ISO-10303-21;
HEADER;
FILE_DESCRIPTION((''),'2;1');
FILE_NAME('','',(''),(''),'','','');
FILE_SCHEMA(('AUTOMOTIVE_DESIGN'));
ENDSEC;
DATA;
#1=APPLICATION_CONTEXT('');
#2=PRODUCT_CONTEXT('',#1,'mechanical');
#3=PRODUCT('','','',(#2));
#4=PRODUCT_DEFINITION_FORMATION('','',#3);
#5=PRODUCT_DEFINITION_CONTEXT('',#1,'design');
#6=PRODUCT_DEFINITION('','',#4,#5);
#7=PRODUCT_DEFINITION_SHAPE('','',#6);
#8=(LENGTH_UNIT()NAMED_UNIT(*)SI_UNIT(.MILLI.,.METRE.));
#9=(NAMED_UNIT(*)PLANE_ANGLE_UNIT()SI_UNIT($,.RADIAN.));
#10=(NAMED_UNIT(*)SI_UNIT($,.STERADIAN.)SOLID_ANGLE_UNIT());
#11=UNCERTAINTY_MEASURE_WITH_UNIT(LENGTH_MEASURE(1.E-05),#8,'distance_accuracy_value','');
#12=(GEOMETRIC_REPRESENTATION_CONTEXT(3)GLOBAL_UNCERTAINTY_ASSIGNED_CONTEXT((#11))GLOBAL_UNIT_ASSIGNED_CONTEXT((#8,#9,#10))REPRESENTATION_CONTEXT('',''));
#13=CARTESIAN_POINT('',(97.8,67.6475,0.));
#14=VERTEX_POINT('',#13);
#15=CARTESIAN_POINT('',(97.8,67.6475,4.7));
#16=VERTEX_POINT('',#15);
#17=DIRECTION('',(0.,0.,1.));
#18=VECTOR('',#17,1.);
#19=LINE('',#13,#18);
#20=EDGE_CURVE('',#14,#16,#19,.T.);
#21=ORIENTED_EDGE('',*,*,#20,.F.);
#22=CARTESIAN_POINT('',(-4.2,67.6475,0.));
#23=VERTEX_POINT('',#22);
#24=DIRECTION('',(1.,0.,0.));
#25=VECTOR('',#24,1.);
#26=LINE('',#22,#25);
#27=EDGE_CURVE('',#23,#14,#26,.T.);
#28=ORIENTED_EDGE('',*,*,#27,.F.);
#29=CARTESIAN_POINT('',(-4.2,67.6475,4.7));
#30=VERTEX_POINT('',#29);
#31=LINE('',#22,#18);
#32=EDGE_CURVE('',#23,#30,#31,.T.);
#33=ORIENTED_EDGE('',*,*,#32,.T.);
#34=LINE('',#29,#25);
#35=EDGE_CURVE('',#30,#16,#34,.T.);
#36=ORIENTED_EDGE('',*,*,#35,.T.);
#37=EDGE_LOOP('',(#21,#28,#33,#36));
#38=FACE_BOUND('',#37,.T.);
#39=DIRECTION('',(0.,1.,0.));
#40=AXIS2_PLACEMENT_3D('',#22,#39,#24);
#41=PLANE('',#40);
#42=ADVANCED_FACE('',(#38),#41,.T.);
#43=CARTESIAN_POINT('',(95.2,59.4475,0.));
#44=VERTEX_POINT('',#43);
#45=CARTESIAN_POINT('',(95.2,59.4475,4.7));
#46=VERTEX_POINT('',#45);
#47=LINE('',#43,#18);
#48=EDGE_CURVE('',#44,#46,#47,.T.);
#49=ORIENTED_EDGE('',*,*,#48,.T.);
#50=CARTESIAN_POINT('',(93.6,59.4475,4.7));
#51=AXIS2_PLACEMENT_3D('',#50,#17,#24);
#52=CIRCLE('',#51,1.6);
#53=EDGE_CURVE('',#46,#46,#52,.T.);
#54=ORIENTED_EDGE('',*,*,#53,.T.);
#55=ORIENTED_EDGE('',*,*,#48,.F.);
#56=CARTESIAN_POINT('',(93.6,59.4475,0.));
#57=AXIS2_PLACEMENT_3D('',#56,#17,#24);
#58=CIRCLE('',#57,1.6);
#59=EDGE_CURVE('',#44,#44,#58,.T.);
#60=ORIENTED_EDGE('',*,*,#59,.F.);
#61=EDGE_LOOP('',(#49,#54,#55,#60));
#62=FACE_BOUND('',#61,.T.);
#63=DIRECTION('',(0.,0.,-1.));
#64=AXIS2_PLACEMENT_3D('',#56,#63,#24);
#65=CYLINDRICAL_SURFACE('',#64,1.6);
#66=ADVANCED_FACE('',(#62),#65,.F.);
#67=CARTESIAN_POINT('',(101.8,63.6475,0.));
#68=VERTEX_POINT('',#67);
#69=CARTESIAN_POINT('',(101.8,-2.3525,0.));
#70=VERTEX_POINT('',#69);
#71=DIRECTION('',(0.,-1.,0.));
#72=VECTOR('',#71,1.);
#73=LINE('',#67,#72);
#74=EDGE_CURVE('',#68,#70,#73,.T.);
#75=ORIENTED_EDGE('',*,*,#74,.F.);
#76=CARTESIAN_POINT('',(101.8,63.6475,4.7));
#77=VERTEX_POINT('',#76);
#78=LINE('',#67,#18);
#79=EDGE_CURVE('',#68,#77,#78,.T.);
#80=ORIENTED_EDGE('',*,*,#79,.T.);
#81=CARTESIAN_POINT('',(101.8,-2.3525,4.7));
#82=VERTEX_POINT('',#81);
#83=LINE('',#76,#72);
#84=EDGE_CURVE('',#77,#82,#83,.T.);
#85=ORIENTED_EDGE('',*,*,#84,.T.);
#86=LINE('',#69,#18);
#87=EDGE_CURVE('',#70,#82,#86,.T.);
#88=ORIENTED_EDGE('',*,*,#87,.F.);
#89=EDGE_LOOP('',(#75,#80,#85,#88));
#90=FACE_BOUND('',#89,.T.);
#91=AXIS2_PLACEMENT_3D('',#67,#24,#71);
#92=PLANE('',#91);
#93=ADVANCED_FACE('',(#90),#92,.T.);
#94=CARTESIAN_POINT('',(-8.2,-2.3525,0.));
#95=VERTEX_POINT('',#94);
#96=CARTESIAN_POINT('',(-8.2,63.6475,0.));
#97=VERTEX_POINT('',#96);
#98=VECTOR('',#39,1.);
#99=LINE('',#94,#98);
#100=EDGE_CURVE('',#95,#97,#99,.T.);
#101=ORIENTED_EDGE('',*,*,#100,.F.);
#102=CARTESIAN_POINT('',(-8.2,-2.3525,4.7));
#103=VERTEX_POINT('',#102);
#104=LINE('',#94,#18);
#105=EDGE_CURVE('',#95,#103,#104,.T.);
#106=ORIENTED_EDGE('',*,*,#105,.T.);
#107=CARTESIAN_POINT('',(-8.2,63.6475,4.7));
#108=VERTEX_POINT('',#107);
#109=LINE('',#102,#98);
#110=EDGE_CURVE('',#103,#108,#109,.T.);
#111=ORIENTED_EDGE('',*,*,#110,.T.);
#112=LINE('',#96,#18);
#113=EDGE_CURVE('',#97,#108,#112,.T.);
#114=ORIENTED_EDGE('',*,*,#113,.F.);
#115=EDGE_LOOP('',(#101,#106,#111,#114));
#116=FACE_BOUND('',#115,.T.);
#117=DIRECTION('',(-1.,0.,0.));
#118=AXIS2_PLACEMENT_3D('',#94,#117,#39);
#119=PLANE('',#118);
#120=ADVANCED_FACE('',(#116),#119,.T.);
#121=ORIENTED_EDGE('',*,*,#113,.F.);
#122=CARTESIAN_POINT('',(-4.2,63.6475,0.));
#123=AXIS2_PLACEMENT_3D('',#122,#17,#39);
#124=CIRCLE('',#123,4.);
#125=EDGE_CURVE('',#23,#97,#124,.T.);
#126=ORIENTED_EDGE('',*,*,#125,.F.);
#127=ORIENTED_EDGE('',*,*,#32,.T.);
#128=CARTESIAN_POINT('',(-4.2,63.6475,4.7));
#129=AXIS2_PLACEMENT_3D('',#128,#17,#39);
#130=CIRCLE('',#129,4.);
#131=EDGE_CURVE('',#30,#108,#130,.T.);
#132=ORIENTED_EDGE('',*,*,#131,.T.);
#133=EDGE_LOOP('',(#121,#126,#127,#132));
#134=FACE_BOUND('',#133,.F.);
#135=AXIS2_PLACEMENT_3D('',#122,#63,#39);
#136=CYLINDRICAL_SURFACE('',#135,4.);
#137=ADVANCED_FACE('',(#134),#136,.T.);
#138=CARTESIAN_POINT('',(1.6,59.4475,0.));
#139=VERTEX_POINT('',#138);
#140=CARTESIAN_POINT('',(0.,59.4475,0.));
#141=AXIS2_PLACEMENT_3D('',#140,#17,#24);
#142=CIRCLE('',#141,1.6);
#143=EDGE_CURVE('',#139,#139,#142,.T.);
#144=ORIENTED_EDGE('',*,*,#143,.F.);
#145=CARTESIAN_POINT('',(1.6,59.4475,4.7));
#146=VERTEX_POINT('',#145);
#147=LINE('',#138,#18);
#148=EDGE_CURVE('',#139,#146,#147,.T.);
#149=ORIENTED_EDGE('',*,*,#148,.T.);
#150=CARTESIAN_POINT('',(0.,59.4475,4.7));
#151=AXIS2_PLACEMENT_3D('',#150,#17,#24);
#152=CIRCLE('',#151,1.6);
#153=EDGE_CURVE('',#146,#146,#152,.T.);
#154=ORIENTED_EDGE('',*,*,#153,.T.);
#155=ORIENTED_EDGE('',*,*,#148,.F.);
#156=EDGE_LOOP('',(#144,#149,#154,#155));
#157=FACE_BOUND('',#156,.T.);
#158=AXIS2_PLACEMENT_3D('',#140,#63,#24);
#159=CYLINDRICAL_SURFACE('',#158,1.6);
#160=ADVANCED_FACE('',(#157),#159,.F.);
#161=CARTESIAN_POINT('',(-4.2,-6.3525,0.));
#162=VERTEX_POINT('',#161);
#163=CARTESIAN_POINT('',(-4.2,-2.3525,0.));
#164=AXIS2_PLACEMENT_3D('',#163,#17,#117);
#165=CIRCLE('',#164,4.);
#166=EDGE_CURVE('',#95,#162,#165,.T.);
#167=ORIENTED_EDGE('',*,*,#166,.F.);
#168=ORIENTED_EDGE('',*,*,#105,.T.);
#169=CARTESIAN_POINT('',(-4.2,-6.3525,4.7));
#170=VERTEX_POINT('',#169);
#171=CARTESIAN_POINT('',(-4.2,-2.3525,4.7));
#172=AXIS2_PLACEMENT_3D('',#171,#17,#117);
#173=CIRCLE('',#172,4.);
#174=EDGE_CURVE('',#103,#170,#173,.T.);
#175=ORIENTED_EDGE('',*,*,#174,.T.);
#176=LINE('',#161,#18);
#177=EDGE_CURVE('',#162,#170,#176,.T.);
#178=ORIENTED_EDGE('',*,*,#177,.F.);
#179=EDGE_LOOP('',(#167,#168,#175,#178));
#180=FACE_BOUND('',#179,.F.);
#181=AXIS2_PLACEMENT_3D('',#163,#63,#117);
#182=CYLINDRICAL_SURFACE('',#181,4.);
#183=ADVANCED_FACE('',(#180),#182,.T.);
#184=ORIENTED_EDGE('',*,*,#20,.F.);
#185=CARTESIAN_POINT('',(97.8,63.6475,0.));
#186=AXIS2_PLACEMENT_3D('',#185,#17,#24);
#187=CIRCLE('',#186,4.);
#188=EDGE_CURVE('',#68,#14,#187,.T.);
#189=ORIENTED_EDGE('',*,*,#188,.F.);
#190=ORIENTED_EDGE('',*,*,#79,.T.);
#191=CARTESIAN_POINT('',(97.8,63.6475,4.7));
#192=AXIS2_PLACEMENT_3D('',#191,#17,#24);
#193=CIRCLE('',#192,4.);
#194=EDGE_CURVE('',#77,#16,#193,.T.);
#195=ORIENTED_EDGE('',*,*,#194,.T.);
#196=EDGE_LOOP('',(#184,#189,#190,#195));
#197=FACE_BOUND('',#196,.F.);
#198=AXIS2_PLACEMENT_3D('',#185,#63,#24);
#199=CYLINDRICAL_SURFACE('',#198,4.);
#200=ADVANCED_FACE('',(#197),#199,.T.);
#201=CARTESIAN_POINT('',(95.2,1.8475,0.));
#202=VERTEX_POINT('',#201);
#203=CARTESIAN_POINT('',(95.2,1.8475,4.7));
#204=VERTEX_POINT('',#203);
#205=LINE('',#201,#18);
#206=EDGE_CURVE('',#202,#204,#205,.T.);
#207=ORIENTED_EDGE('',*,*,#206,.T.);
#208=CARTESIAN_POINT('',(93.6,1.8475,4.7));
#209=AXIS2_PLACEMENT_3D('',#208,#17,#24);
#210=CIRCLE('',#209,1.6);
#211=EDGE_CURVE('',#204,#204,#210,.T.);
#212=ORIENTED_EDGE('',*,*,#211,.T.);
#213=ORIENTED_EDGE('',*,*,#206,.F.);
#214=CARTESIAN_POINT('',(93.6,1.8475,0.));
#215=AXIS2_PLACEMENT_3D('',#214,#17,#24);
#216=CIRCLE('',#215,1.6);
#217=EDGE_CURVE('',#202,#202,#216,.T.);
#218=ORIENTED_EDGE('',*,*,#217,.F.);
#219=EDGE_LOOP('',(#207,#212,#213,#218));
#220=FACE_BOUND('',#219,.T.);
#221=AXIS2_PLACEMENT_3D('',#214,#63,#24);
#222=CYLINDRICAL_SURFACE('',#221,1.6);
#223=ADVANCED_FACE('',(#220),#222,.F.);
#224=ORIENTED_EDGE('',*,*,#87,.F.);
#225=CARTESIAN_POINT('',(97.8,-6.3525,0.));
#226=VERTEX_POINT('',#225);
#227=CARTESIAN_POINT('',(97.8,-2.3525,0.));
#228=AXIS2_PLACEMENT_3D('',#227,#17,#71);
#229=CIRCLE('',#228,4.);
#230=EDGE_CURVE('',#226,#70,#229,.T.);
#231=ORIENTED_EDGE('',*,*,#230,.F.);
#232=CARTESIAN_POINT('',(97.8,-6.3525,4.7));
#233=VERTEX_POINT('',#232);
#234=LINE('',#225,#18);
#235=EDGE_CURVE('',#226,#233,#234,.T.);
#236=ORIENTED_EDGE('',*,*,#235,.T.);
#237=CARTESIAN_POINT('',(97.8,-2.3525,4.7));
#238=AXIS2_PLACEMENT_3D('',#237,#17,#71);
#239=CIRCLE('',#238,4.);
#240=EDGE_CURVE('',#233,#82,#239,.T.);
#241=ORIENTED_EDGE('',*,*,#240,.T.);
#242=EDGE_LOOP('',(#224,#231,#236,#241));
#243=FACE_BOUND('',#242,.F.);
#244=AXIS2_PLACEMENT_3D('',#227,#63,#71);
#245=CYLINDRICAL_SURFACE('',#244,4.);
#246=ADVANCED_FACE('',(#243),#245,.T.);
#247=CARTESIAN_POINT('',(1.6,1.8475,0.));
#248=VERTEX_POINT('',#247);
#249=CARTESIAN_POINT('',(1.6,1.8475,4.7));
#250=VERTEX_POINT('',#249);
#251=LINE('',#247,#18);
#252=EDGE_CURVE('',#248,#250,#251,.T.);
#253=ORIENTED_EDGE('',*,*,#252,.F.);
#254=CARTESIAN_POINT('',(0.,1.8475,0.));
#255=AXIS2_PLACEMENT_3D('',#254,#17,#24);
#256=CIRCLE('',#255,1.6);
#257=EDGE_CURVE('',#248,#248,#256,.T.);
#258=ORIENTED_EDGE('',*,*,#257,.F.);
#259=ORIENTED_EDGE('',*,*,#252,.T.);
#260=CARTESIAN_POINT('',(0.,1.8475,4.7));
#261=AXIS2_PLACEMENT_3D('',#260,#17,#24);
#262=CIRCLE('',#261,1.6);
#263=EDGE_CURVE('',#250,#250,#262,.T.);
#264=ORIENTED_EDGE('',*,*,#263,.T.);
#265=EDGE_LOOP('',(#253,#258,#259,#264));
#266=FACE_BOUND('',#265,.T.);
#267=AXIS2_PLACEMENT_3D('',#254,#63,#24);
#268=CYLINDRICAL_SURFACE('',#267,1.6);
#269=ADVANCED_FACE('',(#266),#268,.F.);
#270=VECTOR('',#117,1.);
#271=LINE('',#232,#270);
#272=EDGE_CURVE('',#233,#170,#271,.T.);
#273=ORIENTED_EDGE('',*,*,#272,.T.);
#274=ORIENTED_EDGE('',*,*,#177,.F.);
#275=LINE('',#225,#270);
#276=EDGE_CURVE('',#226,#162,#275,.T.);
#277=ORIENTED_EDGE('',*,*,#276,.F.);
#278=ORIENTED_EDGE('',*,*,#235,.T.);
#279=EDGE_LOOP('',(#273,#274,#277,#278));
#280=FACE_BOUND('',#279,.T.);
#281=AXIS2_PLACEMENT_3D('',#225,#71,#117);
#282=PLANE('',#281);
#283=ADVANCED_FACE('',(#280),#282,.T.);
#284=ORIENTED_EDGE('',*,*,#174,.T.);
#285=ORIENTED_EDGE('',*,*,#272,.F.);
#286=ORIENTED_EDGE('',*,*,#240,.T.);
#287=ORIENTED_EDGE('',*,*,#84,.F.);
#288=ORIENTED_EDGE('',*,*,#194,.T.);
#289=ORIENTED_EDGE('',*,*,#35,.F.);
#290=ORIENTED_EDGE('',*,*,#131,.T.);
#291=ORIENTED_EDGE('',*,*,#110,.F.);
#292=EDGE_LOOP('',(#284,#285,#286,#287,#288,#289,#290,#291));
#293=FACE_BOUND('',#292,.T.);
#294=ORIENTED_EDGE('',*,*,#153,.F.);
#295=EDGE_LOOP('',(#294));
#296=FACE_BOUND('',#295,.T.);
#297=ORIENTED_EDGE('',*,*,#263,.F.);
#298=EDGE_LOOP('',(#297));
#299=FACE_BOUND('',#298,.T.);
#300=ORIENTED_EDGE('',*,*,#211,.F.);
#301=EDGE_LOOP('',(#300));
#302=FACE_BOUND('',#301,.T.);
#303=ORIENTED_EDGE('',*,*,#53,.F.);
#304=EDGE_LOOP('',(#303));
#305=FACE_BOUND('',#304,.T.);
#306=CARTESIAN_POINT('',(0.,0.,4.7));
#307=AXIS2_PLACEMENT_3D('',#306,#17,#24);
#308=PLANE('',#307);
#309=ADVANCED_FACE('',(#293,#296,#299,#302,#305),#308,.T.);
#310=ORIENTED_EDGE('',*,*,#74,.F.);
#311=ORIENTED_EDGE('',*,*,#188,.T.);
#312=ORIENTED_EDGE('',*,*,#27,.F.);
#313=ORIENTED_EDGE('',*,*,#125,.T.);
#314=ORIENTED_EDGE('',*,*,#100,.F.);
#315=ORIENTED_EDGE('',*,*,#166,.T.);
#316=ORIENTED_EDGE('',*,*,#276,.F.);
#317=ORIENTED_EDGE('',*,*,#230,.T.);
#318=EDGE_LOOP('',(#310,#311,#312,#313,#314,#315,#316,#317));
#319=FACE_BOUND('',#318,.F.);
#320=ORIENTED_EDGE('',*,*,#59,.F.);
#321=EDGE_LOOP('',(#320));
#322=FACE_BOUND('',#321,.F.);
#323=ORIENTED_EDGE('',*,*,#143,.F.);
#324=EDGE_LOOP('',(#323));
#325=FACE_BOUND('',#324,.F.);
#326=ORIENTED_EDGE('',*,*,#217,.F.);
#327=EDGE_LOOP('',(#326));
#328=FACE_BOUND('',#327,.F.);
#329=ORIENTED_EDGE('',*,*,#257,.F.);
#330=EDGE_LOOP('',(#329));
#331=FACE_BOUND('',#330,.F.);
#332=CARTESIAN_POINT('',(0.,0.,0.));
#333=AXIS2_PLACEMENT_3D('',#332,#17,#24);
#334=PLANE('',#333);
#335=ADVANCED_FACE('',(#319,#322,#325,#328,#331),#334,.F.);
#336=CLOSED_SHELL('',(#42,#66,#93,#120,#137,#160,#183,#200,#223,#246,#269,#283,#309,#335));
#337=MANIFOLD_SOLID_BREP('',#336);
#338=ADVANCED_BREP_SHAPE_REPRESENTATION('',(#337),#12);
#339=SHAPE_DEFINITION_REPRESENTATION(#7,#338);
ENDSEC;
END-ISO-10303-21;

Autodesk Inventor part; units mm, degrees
ref_plane "YZ Plane" through (0, 0, 0) normal (1, 0, 0) x (0, 1, 0)
ref_plane "XZ Plane" through (0, 0, 0) normal (0, 1, 0) x (-1, 0, 0)
ref_plane "XY Plane" through (0, 0, 0) normal (0, 0, 1) x (1, 0, 0)
ref_plane "Work Plane1" through (0, 0, 0) normal (0, 0, 1) x (1, 0, 0)
sketch "Sketch1" plane through (0, 0, 0) normal (0, 0, 1) x (1, 0, 0)
  line L0 (-4.2, 67.6475) -> (97.8, 67.6475)
  line L1 (101.8, 63.6475) -> (101.8, -2.3525)
  line L2 (97.8, -6.3525) -> (-4.2, -6.3525)
  line L3 (-8.2, -2.3525) -> (-8.2, 63.6475)
  circle A0 centre (0, 59.4475) radius 1.6 projected
  circle A1 centre (93.6, 59.4475) radius 1.6 projected
  circle A2 centre (93.6, 1.8475) radius 1.6 projected
  circle A3 centre (0, 1.8475) radius 1.6 projected
  arc A4 (-4.2, 67.6475) -> (-8.2, 63.6475) centre (-4.2, 63.6475) ccw
  arc A5 (-8.2, -2.3525) -> (-4.2, -6.3525) centre (-4.2, -2.3525) ccw
  arc A6 (97.8, -6.3525) -> (101.8, -2.3525) centre (97.8, -2.3525) ccw
  arc A7 (101.8, 63.6475) -> (97.8, 67.6475) centre (97.8, 63.6475) ccw
  point P0 (0, 0)
  point P1 (101.8, -6.3525)
  point P2 (101.8, 67.6475)
  point P3 (-8.2, -6.3525)
  dimension "d0" = 74
  dimension "d2" = 110
  dimension "d3" = 4
extrude "Extrusion1" add sketch "Sketch1" along normal blind 4.7
properties part number "nanopc_t4_cover" material "Acrylic"
